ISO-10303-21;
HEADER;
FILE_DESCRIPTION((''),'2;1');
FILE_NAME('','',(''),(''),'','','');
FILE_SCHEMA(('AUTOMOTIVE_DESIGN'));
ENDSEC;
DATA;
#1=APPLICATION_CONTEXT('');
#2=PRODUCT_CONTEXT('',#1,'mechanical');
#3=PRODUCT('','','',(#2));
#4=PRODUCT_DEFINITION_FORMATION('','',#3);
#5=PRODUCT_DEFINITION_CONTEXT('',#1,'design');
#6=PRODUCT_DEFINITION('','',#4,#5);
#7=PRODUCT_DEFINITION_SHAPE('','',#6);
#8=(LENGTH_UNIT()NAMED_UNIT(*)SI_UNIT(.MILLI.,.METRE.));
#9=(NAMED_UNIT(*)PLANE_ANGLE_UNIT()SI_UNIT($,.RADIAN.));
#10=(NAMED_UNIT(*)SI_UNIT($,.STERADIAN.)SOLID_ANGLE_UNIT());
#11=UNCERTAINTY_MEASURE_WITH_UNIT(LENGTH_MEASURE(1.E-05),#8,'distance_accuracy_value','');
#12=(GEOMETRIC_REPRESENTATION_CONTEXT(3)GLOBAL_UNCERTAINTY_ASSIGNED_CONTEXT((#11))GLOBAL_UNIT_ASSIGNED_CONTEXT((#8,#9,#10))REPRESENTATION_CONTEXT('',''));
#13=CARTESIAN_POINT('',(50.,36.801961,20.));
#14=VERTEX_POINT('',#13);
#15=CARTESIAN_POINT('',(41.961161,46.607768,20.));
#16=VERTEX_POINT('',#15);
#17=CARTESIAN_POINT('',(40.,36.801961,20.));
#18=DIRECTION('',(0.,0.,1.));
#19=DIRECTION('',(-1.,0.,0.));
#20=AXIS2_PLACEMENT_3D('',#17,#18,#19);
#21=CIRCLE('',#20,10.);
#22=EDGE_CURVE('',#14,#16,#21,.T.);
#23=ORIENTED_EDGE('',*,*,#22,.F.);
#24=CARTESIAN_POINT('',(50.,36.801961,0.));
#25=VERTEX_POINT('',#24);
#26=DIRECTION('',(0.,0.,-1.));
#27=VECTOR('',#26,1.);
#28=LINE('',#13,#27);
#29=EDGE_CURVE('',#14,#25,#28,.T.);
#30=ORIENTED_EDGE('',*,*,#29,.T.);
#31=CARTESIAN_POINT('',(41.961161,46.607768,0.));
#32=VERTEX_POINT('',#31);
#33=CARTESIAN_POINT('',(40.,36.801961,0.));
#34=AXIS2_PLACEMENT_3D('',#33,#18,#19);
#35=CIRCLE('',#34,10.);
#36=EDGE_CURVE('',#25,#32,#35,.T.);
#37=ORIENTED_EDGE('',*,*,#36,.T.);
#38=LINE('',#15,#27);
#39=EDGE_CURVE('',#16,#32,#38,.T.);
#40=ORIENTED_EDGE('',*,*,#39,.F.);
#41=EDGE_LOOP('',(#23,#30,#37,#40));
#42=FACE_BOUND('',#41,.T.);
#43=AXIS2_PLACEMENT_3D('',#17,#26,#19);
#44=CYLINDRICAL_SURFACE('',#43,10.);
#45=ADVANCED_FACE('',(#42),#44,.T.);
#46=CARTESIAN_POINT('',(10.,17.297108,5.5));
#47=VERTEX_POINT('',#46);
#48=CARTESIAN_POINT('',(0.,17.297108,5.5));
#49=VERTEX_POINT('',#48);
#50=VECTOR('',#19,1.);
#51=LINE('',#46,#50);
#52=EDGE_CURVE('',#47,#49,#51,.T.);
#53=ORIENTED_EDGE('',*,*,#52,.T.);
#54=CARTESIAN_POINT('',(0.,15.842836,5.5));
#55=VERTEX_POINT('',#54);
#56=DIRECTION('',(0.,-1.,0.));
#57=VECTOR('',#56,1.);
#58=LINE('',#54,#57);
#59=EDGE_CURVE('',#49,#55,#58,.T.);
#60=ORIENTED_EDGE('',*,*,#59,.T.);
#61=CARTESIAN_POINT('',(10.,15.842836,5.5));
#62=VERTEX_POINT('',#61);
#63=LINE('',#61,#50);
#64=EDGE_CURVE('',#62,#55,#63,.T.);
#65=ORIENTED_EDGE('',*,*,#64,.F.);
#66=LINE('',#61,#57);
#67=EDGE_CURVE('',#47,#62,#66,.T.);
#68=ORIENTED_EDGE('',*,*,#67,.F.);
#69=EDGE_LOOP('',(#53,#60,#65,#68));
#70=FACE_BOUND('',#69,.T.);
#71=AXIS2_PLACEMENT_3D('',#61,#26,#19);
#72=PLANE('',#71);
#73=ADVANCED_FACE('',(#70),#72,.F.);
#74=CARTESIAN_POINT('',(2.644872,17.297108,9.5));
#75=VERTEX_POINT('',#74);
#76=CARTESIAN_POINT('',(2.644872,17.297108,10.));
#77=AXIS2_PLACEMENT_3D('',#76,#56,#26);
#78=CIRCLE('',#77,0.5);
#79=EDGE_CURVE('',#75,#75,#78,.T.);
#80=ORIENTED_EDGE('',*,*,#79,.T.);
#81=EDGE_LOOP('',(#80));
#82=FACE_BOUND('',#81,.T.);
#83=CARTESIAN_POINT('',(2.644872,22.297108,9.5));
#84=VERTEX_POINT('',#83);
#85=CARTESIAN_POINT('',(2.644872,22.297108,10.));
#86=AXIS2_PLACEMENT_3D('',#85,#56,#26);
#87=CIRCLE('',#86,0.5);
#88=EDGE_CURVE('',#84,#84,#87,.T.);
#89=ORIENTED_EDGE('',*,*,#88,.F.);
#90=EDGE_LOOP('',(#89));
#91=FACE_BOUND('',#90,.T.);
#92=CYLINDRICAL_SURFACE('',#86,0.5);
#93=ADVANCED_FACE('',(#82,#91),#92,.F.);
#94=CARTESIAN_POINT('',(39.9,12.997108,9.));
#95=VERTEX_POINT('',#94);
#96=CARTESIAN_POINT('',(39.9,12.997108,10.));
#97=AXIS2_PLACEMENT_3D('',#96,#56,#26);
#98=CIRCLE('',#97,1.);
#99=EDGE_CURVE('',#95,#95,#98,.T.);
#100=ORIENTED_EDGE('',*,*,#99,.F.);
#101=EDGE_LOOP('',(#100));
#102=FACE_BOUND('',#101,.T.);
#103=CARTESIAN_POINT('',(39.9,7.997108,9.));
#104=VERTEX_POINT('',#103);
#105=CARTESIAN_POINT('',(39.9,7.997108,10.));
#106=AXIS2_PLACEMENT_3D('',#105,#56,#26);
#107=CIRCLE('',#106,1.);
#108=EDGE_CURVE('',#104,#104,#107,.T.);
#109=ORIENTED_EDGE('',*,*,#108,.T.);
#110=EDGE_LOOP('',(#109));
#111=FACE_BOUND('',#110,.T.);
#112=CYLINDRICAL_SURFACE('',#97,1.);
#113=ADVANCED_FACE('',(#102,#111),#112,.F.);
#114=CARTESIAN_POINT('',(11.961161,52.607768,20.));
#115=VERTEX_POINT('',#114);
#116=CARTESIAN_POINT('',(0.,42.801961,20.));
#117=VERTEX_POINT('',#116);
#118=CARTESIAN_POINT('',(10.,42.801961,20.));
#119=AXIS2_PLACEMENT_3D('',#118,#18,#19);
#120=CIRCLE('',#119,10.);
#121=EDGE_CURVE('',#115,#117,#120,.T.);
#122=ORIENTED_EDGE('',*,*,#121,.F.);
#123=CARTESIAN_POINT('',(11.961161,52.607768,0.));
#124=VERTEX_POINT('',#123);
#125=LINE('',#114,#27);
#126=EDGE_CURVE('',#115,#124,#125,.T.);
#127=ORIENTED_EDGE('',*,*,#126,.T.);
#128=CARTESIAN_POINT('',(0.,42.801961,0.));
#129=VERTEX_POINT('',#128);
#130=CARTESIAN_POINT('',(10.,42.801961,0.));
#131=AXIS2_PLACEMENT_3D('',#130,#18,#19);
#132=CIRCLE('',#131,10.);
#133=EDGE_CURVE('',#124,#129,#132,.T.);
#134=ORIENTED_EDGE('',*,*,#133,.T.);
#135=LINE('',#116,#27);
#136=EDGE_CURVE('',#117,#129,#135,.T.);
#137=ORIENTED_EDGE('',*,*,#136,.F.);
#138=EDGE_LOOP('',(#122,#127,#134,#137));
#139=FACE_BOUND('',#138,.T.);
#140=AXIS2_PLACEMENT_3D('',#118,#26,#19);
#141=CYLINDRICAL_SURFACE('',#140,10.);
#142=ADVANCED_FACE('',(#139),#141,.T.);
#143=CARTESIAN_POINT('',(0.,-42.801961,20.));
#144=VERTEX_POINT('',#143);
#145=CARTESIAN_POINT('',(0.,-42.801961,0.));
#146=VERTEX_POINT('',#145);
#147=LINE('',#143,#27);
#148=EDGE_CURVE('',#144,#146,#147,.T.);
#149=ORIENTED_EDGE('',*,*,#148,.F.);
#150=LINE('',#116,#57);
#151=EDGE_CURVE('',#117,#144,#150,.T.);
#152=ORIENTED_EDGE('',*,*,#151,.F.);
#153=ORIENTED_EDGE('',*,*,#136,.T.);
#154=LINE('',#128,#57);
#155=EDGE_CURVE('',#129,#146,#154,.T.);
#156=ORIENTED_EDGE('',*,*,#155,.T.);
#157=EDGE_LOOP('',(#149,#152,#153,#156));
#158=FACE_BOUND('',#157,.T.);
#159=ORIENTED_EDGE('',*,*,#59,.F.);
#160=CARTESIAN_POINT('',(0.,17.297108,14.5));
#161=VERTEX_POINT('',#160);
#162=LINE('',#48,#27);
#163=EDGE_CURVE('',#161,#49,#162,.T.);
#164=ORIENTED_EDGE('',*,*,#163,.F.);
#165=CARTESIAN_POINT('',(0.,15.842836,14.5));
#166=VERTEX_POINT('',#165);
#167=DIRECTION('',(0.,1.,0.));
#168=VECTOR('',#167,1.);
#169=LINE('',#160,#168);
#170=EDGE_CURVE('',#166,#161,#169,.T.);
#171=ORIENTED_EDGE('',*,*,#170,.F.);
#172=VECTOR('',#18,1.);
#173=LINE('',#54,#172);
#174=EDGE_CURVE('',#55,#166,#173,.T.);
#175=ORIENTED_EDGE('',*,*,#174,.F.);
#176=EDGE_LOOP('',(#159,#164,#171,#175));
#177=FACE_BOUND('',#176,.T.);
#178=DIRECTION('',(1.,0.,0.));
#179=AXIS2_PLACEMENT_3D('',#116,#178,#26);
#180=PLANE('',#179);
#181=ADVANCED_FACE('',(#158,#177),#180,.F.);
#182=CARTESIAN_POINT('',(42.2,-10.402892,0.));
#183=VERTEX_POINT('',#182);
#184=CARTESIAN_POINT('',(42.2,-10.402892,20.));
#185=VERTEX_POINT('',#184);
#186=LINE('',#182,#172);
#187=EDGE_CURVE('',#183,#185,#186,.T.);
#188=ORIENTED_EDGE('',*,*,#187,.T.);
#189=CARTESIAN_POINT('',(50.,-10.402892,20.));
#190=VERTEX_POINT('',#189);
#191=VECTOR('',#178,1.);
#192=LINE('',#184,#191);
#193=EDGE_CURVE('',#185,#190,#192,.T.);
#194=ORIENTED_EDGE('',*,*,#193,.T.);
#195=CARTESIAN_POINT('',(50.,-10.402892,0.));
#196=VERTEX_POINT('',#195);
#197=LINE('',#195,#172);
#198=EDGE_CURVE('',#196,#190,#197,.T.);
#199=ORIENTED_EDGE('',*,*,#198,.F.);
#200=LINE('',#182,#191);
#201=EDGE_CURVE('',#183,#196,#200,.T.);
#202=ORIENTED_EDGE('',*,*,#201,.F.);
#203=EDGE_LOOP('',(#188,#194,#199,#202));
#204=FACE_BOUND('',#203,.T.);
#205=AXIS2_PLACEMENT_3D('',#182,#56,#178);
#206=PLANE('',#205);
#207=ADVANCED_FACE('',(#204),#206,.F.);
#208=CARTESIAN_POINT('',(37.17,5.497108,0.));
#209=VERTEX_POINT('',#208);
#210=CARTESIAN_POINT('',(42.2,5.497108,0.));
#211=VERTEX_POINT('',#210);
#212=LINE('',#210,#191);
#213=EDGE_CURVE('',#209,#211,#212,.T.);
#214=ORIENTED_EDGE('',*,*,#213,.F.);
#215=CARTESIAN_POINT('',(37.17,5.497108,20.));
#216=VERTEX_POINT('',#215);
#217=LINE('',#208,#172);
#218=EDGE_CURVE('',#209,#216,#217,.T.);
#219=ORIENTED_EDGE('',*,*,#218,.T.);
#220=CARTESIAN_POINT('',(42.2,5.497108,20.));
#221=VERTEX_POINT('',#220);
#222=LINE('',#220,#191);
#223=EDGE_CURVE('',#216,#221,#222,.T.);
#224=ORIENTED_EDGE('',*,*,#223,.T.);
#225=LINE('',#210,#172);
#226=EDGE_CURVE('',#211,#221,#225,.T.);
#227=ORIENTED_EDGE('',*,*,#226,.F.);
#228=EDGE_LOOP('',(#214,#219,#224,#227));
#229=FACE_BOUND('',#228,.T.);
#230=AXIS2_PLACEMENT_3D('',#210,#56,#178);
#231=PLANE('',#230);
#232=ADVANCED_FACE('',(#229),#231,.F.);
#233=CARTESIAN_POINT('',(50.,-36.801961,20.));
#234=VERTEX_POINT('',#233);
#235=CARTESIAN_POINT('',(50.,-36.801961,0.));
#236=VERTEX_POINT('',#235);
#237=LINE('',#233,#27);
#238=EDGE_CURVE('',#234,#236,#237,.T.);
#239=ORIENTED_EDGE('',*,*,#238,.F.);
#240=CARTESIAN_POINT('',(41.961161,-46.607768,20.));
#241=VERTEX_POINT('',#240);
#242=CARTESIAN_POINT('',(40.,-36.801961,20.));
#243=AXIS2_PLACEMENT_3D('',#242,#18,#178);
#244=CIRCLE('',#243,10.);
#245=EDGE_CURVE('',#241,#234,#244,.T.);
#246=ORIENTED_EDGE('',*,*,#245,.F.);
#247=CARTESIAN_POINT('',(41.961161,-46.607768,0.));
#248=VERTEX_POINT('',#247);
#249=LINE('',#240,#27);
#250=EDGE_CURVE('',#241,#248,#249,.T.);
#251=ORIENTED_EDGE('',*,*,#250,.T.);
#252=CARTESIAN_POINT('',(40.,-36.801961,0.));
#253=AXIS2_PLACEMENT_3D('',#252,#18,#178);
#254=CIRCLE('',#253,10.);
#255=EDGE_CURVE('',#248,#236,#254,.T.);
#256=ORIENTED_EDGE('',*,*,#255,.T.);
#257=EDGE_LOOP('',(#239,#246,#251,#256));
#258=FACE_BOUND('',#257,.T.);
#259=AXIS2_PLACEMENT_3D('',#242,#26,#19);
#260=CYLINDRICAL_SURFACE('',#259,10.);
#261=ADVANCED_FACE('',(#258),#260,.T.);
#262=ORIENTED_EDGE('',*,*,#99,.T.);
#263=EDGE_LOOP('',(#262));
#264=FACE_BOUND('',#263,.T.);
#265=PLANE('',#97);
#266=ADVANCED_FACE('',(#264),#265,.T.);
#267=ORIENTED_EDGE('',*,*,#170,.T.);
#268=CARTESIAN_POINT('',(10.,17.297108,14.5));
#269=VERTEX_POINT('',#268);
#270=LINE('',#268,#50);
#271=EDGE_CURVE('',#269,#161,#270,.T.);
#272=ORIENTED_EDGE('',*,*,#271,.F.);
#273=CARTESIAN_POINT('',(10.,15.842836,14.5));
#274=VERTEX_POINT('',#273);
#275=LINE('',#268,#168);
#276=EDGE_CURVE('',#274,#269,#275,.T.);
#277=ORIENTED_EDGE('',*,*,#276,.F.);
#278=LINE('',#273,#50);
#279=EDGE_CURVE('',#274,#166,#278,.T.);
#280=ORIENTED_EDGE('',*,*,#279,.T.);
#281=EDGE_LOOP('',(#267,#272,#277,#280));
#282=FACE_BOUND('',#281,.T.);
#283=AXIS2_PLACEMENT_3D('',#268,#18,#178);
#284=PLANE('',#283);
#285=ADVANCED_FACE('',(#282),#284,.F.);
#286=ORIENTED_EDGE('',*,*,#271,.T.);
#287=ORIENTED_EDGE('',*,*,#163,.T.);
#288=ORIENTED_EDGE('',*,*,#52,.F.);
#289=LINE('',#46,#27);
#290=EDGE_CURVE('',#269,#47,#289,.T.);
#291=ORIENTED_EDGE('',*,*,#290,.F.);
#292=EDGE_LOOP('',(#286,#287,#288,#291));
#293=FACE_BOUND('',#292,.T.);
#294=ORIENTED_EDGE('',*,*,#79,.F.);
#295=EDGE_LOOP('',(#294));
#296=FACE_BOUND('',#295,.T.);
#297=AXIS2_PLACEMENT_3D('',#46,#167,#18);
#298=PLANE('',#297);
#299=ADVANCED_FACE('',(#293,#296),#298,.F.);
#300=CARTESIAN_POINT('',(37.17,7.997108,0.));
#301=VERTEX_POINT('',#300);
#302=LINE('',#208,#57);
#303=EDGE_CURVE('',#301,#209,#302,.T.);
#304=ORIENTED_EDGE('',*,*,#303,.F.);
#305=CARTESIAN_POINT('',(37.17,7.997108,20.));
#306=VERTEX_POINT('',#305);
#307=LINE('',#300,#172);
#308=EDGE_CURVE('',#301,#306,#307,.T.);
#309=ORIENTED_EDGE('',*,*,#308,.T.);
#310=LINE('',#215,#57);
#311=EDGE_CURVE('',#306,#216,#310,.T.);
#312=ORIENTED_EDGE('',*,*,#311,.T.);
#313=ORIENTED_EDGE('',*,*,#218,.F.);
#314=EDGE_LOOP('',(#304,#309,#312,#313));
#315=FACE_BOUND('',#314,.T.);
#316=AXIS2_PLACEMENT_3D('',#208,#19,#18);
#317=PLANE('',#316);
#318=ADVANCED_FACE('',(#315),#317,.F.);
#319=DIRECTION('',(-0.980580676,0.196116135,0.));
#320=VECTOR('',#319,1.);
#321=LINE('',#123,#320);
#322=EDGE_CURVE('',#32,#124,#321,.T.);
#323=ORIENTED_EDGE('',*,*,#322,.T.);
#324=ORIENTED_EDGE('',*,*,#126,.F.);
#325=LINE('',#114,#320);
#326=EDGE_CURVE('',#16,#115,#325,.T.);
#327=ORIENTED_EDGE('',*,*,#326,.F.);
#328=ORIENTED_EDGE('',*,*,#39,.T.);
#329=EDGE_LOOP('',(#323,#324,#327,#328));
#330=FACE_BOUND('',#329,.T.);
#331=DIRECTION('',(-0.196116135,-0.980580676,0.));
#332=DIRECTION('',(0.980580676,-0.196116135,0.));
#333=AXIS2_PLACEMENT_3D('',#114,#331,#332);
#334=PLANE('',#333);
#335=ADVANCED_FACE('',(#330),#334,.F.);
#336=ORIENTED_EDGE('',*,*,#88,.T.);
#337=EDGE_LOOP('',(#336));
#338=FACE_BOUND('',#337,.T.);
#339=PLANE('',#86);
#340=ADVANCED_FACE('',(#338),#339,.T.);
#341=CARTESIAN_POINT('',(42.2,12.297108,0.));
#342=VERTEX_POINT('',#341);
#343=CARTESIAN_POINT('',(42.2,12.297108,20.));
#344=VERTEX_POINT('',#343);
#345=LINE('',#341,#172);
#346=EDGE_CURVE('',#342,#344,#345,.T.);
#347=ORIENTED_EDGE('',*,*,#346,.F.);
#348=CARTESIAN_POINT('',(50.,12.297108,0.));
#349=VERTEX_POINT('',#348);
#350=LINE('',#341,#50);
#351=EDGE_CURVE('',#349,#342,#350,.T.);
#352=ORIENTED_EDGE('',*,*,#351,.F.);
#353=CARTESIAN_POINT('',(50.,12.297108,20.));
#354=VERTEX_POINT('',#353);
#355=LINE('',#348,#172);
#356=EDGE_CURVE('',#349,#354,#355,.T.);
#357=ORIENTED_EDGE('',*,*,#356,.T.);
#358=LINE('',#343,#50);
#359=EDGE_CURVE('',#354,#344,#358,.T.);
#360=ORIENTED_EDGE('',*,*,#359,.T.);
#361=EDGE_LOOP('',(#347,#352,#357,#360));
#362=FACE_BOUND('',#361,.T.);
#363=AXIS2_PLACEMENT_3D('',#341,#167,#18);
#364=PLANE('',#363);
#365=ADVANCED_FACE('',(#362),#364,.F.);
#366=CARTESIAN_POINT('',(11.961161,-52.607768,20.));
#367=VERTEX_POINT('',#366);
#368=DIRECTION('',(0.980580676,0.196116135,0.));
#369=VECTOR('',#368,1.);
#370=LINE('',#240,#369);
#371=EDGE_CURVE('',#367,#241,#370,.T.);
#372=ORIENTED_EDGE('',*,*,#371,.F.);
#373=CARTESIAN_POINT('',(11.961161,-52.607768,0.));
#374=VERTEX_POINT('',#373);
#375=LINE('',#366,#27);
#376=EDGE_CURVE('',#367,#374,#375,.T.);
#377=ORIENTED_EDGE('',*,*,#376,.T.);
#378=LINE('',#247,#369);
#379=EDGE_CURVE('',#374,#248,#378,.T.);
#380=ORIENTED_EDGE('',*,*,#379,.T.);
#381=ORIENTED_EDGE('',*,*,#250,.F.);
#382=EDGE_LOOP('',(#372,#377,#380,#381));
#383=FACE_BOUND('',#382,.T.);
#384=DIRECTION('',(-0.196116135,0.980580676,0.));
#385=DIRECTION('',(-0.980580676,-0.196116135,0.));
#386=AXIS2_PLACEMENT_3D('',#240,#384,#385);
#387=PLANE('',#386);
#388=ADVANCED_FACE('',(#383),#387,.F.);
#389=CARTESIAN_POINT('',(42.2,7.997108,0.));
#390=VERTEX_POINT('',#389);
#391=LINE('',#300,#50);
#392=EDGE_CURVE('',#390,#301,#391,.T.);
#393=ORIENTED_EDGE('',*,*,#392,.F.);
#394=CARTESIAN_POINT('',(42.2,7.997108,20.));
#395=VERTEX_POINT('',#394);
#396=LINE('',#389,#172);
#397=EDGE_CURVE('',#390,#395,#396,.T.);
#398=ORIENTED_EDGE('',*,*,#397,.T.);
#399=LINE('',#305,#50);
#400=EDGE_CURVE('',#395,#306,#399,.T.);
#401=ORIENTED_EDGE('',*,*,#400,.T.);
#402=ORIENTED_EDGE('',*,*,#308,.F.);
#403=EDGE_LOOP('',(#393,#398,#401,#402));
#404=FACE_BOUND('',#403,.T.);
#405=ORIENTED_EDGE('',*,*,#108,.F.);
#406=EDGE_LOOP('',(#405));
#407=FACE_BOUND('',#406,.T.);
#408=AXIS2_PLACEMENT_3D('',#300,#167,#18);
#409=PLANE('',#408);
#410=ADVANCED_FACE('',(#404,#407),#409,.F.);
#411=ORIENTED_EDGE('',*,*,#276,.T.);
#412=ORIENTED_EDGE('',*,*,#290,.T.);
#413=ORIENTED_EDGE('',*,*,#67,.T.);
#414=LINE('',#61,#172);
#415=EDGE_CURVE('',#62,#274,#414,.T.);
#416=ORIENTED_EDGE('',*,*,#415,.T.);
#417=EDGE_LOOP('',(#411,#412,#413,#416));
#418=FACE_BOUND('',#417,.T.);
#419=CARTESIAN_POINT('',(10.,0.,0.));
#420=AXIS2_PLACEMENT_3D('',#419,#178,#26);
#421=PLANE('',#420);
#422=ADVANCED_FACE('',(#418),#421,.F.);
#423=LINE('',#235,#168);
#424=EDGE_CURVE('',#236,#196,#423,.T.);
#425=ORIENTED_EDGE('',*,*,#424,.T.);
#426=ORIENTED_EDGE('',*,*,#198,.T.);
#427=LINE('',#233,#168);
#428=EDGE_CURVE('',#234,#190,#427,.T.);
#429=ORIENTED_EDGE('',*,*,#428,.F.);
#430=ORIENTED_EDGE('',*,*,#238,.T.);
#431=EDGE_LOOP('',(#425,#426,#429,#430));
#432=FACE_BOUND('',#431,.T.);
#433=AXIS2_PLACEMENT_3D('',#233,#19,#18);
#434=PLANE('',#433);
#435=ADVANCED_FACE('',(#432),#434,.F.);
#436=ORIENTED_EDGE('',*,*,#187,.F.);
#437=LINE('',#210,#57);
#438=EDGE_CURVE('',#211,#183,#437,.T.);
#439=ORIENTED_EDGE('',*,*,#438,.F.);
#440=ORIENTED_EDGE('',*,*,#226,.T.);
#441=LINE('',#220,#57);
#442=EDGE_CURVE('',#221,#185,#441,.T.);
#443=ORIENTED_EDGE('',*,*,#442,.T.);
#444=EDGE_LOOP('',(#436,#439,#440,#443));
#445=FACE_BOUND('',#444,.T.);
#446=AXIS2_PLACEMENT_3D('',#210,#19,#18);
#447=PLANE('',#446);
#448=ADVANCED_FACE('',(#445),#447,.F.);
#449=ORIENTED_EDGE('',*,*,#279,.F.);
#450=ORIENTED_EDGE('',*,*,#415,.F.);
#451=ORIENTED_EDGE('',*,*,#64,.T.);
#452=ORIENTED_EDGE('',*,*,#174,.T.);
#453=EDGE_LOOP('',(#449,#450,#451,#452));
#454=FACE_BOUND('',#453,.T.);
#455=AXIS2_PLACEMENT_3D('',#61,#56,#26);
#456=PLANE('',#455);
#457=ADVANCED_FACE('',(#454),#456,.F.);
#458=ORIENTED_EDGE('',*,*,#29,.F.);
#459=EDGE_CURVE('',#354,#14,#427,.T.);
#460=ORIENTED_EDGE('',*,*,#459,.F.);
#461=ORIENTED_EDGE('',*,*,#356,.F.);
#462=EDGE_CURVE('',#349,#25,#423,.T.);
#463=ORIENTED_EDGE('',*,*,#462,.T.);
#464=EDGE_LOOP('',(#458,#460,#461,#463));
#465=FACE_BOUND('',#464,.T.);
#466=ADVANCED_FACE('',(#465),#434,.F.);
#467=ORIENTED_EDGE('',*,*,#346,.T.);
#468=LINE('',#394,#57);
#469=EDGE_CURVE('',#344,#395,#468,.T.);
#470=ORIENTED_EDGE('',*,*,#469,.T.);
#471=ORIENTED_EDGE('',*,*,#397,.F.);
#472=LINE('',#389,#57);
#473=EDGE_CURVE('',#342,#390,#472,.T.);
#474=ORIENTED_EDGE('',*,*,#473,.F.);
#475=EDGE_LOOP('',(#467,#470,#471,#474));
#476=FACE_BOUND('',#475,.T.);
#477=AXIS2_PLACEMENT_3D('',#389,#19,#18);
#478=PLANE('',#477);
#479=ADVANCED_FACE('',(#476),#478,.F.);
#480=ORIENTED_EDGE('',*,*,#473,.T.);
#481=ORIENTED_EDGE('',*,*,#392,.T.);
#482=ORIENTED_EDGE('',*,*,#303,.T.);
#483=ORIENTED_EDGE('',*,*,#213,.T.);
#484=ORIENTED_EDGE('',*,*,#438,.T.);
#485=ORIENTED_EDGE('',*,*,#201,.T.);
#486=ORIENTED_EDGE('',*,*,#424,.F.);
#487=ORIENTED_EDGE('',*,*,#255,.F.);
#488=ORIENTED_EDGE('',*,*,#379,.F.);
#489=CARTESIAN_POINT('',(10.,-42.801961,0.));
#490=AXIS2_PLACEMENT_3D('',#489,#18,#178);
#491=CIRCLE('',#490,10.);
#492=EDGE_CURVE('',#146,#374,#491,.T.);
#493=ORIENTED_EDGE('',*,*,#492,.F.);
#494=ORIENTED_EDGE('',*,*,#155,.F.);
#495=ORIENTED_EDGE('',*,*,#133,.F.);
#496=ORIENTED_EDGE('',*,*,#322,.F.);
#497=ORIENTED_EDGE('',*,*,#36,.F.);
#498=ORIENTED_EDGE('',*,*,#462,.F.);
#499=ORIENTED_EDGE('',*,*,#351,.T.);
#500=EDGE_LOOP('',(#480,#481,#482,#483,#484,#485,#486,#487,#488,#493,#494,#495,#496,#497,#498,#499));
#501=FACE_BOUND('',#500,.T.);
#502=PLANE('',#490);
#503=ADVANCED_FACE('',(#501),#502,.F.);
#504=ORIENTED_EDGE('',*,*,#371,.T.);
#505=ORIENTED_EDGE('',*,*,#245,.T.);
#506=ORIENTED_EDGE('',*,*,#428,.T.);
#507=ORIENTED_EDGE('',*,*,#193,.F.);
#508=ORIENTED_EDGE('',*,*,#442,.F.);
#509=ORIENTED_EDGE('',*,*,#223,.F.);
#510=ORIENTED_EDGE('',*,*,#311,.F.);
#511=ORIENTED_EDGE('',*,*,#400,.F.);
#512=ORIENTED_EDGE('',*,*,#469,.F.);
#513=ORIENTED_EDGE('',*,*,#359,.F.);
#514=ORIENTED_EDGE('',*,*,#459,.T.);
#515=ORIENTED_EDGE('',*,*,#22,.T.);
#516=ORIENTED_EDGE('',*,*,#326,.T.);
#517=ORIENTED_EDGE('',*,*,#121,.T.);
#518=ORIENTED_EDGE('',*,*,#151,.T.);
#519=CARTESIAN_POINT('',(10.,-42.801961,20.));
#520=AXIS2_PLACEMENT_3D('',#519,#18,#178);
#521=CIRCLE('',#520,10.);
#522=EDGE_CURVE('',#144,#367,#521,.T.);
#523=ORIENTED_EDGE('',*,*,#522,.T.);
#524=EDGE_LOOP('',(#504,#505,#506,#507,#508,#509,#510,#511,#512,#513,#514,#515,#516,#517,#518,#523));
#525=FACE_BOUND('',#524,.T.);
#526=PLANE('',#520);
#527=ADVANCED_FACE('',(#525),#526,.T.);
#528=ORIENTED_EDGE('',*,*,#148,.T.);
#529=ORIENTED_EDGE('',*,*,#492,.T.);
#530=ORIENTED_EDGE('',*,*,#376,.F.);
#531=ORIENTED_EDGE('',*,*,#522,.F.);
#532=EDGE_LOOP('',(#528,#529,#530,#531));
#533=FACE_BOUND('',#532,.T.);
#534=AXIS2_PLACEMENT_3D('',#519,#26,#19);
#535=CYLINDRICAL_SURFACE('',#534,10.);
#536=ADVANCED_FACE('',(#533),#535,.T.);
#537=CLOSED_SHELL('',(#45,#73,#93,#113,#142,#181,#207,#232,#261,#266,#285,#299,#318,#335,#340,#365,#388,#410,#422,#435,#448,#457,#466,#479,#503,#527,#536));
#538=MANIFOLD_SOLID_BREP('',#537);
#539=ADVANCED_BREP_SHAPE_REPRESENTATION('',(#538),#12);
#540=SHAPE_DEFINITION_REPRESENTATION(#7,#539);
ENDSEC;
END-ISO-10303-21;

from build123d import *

# Parameters (mm, degrees)
BOSS_EXTRUDE1_DEPTH = 20
SKETCH5_W           = 9
SKETCH5_H           = 1.454272164
CUT_EXTRUDE4_DEPTH  = 10
SKETCH6_R           = 0.5
CUT_EXTRUDE5_DEPTH  = 5
CUT_EXTRUDE6_DEPTH  = 21
SKETCH11_R          = 1
CUT_EXTRUDE7_DEPTH  = 5


with BuildPart() as part:
    # Sketch1 → Boss-Extrude1 (new body)
    with BuildSketch(Plane.XY):
        with BuildLine():
            Line((0, 42.801960973), (0, -42.801960973))
            ThreePointArc((0, -42.801960973), (3.660110944, -50.535382386), (11.961161351, -52.60776773))
            Line((11.961161351, -52.60776773), (41.961161351, -46.60776773))
            ThreePointArc((41.961161351, -46.60776773), (47.733421413, -43.141850029), (50, -36.801960973))
            Line((50, -36.801960973), (50, 36.801960973))
            ThreePointArc((50, 36.801960973), (47.733421413, 43.141850029), (41.961161351, 46.60776773))
            Line((41.961161351, 46.60776773), (11.961161351, 52.60776773))
            ThreePointArc((11.961161351, 52.60776773), (3.660110944, 50.535382386), (0, 42.801960973))
        make_face()
    extrude(amount=BOSS_EXTRUDE1_DEPTH)

    # Sketch5 → Cut-Extrude4 (cut)
    with BuildSketch(Plane.ZY):
        with Locations((10, 16.569972364)):
            Rectangle(SKETCH5_W, SKETCH5_H)
    extrude(amount=-CUT_EXTRUDE4_DEPTH, mode=Mode.SUBTRACT)

    # Sketch6 → Cut-Extrude5 (cut)
    with BuildSketch(Plane.XZ.offset(-17.297108446)):
        with Locations((2.644871575, 10)):
            Circle(SKETCH6_R)
    extrude(amount=-CUT_EXTRUDE5_DEPTH, mode=Mode.SUBTRACT)

    # Sketch9 → Cut-Extrude6 (cut, through all)
    with BuildSketch(Plane.XY.offset(20)):
        Polygon((42.2, 5.497108446), (42.2, -10.402891554), (50, -10.402891554), (50, 12.297108446), (42.2, 12.297108446), (42.2, 7.997108446), (37.17, 7.997108446), (37.17, 5.497108446), align=None)
    extrude(amount=-CUT_EXTRUDE6_DEPTH, mode=Mode.SUBTRACT)

    # Sketch11 → Cut-Extrude7 (cut)
    with BuildSketch(Plane(origin=(0, 7.997108446, 0), x_dir=(-1, 0, 0), z_dir=(0, -1, 0))):
        with Locations((-39.9, -10)):
            Circle(SKETCH11_R)
    extrude(amount=-CUT_EXTRUDE7_DEPTH, mode=Mode.SUBTRACT)


solid = part.part
